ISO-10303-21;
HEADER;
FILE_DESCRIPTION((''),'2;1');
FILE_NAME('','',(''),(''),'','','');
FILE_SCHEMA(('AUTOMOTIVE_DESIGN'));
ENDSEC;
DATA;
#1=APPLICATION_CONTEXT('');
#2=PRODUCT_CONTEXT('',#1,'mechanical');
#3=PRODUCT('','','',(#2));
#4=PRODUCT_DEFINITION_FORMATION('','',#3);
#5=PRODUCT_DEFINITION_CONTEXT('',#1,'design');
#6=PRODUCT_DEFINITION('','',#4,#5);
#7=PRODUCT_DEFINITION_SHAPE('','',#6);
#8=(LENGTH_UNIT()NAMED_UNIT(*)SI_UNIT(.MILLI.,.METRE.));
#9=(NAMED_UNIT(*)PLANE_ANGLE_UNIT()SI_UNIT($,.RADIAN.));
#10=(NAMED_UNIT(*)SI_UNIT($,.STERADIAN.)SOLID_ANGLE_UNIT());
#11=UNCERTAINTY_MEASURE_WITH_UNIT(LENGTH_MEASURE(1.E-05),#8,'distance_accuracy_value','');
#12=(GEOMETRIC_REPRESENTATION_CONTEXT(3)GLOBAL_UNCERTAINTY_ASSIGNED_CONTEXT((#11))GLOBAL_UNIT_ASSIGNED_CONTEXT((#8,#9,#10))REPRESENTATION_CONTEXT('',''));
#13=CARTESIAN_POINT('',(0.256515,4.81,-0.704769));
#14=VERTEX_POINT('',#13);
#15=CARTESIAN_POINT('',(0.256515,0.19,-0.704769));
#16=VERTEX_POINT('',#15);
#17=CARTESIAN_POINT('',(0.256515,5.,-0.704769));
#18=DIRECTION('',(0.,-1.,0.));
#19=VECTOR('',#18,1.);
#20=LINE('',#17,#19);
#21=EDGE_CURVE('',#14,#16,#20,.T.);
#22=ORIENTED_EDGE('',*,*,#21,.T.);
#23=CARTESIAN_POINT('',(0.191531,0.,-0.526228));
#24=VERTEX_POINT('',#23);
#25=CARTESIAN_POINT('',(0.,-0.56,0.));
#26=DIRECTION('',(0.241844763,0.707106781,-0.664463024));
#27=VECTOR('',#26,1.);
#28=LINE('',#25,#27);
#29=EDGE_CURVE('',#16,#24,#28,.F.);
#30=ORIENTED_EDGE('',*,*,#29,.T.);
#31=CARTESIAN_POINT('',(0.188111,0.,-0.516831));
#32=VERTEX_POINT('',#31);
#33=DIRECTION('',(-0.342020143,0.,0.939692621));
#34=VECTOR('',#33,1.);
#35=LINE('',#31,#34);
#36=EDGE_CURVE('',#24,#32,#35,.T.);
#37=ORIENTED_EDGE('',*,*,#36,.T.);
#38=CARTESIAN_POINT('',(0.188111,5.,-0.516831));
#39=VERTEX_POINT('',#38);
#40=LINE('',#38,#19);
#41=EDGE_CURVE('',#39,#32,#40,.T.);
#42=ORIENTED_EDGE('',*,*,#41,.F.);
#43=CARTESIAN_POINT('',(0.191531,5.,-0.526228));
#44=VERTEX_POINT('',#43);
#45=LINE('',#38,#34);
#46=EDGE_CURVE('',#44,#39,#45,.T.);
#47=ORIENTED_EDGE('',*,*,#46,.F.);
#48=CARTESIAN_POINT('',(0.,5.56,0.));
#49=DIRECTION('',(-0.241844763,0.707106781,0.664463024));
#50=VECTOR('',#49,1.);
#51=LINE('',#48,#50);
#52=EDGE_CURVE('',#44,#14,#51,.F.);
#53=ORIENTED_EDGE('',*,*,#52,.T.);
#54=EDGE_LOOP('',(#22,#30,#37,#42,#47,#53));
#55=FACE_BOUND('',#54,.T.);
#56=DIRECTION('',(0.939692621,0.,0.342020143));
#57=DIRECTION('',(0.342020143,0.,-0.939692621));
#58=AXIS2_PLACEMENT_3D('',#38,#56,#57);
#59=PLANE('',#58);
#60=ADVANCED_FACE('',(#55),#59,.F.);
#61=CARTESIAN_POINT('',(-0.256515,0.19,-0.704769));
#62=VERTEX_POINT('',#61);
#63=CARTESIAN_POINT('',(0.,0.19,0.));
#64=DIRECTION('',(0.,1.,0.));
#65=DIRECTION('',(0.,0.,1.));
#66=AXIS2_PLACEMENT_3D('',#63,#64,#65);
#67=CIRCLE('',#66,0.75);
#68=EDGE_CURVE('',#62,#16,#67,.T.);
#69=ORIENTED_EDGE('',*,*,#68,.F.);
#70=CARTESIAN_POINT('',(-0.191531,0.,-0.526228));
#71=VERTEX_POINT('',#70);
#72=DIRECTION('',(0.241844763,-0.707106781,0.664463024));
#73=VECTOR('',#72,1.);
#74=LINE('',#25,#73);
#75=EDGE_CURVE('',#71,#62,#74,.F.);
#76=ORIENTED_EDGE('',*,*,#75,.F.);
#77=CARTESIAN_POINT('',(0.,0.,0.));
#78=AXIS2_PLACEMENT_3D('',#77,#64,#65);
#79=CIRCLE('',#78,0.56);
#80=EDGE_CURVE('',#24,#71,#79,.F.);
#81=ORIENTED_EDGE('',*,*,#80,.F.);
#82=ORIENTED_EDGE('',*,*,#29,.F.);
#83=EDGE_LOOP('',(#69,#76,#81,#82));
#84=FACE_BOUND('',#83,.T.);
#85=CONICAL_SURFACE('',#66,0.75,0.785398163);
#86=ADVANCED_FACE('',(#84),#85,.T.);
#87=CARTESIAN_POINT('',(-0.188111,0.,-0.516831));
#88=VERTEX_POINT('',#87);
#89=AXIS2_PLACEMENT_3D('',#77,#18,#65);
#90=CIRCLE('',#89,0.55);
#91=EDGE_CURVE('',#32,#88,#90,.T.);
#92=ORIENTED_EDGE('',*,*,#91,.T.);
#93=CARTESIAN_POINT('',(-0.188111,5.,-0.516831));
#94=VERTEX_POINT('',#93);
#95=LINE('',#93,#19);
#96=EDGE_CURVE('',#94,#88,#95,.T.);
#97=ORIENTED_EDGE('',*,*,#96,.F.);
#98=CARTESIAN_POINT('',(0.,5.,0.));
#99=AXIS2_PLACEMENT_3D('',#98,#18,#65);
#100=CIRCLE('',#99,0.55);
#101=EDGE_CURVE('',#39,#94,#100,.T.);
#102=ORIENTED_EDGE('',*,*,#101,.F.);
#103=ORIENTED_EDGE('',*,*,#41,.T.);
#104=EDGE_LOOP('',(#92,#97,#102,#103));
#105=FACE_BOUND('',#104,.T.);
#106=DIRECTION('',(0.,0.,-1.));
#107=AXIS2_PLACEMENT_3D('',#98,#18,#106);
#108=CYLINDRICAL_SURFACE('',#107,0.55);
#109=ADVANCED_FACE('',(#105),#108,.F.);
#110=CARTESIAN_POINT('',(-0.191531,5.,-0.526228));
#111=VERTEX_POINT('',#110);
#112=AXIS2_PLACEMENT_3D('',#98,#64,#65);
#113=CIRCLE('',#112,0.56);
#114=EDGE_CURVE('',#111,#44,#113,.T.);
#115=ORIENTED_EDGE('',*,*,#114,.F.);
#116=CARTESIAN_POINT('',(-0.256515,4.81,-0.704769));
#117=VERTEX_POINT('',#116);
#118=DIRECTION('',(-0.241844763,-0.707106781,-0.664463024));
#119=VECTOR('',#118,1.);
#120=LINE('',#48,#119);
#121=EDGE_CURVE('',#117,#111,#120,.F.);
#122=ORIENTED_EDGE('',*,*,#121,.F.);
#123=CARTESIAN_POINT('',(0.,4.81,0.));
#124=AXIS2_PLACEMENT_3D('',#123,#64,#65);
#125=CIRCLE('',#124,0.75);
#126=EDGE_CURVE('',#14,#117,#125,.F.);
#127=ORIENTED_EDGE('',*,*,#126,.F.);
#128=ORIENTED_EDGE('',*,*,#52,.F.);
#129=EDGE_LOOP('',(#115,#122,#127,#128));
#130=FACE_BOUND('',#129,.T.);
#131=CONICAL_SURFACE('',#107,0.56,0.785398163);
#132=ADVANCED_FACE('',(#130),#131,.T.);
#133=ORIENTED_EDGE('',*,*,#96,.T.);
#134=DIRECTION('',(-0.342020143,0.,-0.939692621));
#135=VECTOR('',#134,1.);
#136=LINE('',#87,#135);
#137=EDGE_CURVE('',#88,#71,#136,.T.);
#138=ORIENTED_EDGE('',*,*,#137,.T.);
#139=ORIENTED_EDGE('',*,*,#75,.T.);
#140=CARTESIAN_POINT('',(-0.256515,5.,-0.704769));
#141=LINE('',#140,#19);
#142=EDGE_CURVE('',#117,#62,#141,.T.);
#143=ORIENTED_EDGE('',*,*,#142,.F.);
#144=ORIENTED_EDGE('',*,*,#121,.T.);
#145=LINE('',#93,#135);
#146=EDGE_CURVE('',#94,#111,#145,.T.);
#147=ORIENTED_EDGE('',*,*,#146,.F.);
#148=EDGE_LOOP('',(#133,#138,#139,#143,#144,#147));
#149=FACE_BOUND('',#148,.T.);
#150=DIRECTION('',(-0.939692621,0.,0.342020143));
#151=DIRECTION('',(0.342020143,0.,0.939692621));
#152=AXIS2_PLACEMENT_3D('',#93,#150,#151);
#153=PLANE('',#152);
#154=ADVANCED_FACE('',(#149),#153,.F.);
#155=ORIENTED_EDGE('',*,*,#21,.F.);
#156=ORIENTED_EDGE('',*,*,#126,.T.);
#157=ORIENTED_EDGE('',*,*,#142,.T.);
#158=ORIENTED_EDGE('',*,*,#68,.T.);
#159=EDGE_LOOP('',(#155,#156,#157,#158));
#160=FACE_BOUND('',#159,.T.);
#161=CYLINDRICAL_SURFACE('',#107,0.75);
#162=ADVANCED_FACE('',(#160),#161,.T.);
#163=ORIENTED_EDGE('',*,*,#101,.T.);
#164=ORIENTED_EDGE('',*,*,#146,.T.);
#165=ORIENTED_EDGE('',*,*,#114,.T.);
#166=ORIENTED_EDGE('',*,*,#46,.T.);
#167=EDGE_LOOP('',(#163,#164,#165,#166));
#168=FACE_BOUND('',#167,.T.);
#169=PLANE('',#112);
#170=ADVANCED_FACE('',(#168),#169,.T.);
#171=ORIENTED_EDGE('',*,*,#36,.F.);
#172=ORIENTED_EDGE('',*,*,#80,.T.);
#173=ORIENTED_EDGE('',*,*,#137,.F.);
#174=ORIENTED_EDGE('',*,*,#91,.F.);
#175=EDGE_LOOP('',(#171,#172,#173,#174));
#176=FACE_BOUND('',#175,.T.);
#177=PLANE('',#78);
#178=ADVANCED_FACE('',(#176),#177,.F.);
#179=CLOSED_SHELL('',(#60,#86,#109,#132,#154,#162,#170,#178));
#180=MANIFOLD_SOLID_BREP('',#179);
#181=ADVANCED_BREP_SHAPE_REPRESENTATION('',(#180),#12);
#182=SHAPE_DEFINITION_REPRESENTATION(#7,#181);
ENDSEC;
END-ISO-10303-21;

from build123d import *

# Parameters (mm, degrees)
EXTRUDE_LENGTH_DEPTH = 5
END_CHAMFERS_SIZE    = 0.19


with BuildPart() as part:
    # Cross Section Sketch → Extrude Length (new body)
    with BuildSketch(Plane(origin=(0, 0, 0), x_dir=(1, 0, 0), z_dir=(0, 1, 0))):
        with BuildLine():
            Line((0.188111079, 0.516830941), (0.256515107, 0.704769466))
            ThreePointArc((0.256515107, 0.704769466), (0, -0.75), (-0.256515107, 0.704769466))
            Line((-0.256515107, 0.704769466), (-0.188111079, 0.516830941))
            ThreePointArc((-0.188111079, 0.516830941), (0, -0.55), (0.188111079, 0.516830941))
        make_face()
    extrude(amount=EXTRUDE_LENGTH_DEPTH)

    # End Chamfers
    end_chamfers_edges = [part.edges().sort_by_distance(p)[0] for p in [
        (0, 5, 0.75),
        (0, 0, 0.75),
    ]]
    chamfer(end_chamfers_edges, length=END_CHAMFERS_SIZE)


solid = part.part
